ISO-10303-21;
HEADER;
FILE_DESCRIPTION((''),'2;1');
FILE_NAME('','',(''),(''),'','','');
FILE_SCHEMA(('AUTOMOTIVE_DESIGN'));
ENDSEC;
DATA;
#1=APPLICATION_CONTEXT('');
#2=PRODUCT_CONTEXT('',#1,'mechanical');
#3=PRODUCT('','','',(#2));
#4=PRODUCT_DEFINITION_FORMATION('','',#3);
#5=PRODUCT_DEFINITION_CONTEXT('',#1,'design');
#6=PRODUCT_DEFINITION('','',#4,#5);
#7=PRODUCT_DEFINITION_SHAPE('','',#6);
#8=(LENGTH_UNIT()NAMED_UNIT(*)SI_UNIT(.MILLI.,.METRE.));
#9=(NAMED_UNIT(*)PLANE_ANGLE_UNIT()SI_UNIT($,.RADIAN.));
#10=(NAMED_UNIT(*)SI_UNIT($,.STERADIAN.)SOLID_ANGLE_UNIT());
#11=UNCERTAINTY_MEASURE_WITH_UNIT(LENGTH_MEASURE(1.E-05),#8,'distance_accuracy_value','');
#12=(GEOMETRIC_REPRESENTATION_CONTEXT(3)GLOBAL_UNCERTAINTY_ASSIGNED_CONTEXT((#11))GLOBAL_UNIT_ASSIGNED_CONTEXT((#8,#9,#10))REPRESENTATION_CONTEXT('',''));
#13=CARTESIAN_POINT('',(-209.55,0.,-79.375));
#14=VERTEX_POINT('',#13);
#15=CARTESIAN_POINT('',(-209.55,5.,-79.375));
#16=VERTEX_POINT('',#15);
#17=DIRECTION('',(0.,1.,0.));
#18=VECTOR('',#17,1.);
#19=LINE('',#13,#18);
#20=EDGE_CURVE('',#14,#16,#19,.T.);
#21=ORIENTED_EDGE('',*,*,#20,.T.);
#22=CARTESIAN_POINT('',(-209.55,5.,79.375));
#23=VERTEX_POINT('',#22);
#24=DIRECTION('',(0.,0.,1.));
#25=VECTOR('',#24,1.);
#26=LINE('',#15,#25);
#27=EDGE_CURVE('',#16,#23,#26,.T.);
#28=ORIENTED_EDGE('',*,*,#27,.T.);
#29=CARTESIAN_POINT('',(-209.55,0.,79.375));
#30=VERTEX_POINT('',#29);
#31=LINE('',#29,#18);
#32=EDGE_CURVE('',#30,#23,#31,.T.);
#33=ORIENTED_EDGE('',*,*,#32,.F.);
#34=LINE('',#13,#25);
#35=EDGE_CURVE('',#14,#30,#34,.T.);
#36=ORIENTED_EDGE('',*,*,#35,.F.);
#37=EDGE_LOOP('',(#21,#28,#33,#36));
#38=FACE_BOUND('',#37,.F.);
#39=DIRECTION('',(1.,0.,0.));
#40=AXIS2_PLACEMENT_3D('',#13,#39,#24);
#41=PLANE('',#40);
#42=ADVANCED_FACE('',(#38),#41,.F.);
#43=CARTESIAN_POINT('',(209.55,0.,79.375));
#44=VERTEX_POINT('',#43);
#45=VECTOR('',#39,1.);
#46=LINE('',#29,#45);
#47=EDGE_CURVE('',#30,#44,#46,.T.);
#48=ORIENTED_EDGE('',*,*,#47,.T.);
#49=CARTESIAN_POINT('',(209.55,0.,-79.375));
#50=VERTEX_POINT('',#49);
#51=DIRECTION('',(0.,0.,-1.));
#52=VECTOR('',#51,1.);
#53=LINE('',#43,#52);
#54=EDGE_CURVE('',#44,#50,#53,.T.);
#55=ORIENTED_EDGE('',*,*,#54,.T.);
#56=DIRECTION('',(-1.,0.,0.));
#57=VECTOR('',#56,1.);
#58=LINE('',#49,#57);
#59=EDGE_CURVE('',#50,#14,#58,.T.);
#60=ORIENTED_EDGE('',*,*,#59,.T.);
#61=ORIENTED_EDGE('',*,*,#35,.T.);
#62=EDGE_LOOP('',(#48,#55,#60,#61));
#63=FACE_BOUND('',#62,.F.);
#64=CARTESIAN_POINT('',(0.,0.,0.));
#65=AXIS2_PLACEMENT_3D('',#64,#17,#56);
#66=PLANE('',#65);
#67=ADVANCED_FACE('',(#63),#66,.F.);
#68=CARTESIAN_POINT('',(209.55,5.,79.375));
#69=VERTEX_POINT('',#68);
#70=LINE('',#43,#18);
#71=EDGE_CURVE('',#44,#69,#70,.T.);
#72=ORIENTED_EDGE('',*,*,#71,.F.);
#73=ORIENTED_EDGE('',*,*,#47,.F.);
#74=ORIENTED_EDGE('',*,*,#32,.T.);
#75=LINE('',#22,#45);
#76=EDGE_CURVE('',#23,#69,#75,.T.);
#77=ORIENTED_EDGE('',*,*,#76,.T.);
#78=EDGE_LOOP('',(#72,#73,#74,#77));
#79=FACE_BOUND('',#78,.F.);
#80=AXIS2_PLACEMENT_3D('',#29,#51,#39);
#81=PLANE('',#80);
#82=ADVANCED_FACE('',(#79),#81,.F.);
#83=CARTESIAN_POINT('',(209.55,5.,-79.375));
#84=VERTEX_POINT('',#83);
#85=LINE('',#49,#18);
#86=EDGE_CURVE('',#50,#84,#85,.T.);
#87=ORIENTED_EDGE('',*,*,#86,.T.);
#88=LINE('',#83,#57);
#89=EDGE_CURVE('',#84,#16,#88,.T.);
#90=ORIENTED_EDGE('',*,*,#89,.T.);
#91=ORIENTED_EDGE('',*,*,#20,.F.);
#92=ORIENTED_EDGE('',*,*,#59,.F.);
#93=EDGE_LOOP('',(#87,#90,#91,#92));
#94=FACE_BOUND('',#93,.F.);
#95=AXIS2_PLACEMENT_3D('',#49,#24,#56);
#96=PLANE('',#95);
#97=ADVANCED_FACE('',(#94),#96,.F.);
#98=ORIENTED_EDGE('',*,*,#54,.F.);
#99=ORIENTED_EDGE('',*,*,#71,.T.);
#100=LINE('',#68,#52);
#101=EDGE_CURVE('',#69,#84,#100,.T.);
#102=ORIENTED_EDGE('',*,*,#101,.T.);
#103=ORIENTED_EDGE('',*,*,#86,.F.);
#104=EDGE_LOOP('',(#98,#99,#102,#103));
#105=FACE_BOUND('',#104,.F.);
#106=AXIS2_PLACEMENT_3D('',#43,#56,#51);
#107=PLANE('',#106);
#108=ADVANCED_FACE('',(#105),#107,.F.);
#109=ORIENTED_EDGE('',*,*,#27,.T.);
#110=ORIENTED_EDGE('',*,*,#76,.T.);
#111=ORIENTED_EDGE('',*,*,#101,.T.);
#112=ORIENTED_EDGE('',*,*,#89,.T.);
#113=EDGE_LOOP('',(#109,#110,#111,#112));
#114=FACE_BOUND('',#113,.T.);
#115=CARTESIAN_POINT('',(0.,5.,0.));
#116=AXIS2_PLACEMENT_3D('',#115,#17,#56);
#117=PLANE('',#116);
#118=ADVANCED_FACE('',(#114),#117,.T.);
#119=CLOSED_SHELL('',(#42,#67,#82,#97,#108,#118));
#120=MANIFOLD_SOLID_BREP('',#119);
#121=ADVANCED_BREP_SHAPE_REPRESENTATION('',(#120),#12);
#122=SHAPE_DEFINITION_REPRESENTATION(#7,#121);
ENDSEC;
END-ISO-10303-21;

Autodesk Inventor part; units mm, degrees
ref_plane "YZ Plane" through (0, 0, 0) normal (1, 0, 0) x (0, 1, 0)
ref_plane "XZ Plane" through (0, 0, 0) normal (0, 1, 0) x (-1, 0, 0)
ref_plane "XY Plane" through (0, 0, 0) normal (0, 0, 1) x (1, 0, 0)
sketch "Sketch1" plane through (0, 0, 0) normal (0, 1, 0) x (-1, 0, 0)
  line L0 (209.55, 79.375) -> (-209.55, 79.375)
  line L1 (-209.55, 79.375) -> (-209.55, -79.375)
  line L2 (-209.55, -79.375) -> (209.55, -79.375)
  line L3 (209.55, -79.375) -> (209.55, 79.375)
  line L4 (209.55, 79.375) -> (-209.55, -79.375) construction
  line L5 (-209.55, 79.375) -> (209.55, -79.375) construction
  point P0 (0, 0)
  dimension "d0" = 419.1
  dimension "d1" = 158.75
extrude "Extrusion1" add sketch "Sketch1" along normal blind 5
properties part number "PowerSupplyEncSides"
